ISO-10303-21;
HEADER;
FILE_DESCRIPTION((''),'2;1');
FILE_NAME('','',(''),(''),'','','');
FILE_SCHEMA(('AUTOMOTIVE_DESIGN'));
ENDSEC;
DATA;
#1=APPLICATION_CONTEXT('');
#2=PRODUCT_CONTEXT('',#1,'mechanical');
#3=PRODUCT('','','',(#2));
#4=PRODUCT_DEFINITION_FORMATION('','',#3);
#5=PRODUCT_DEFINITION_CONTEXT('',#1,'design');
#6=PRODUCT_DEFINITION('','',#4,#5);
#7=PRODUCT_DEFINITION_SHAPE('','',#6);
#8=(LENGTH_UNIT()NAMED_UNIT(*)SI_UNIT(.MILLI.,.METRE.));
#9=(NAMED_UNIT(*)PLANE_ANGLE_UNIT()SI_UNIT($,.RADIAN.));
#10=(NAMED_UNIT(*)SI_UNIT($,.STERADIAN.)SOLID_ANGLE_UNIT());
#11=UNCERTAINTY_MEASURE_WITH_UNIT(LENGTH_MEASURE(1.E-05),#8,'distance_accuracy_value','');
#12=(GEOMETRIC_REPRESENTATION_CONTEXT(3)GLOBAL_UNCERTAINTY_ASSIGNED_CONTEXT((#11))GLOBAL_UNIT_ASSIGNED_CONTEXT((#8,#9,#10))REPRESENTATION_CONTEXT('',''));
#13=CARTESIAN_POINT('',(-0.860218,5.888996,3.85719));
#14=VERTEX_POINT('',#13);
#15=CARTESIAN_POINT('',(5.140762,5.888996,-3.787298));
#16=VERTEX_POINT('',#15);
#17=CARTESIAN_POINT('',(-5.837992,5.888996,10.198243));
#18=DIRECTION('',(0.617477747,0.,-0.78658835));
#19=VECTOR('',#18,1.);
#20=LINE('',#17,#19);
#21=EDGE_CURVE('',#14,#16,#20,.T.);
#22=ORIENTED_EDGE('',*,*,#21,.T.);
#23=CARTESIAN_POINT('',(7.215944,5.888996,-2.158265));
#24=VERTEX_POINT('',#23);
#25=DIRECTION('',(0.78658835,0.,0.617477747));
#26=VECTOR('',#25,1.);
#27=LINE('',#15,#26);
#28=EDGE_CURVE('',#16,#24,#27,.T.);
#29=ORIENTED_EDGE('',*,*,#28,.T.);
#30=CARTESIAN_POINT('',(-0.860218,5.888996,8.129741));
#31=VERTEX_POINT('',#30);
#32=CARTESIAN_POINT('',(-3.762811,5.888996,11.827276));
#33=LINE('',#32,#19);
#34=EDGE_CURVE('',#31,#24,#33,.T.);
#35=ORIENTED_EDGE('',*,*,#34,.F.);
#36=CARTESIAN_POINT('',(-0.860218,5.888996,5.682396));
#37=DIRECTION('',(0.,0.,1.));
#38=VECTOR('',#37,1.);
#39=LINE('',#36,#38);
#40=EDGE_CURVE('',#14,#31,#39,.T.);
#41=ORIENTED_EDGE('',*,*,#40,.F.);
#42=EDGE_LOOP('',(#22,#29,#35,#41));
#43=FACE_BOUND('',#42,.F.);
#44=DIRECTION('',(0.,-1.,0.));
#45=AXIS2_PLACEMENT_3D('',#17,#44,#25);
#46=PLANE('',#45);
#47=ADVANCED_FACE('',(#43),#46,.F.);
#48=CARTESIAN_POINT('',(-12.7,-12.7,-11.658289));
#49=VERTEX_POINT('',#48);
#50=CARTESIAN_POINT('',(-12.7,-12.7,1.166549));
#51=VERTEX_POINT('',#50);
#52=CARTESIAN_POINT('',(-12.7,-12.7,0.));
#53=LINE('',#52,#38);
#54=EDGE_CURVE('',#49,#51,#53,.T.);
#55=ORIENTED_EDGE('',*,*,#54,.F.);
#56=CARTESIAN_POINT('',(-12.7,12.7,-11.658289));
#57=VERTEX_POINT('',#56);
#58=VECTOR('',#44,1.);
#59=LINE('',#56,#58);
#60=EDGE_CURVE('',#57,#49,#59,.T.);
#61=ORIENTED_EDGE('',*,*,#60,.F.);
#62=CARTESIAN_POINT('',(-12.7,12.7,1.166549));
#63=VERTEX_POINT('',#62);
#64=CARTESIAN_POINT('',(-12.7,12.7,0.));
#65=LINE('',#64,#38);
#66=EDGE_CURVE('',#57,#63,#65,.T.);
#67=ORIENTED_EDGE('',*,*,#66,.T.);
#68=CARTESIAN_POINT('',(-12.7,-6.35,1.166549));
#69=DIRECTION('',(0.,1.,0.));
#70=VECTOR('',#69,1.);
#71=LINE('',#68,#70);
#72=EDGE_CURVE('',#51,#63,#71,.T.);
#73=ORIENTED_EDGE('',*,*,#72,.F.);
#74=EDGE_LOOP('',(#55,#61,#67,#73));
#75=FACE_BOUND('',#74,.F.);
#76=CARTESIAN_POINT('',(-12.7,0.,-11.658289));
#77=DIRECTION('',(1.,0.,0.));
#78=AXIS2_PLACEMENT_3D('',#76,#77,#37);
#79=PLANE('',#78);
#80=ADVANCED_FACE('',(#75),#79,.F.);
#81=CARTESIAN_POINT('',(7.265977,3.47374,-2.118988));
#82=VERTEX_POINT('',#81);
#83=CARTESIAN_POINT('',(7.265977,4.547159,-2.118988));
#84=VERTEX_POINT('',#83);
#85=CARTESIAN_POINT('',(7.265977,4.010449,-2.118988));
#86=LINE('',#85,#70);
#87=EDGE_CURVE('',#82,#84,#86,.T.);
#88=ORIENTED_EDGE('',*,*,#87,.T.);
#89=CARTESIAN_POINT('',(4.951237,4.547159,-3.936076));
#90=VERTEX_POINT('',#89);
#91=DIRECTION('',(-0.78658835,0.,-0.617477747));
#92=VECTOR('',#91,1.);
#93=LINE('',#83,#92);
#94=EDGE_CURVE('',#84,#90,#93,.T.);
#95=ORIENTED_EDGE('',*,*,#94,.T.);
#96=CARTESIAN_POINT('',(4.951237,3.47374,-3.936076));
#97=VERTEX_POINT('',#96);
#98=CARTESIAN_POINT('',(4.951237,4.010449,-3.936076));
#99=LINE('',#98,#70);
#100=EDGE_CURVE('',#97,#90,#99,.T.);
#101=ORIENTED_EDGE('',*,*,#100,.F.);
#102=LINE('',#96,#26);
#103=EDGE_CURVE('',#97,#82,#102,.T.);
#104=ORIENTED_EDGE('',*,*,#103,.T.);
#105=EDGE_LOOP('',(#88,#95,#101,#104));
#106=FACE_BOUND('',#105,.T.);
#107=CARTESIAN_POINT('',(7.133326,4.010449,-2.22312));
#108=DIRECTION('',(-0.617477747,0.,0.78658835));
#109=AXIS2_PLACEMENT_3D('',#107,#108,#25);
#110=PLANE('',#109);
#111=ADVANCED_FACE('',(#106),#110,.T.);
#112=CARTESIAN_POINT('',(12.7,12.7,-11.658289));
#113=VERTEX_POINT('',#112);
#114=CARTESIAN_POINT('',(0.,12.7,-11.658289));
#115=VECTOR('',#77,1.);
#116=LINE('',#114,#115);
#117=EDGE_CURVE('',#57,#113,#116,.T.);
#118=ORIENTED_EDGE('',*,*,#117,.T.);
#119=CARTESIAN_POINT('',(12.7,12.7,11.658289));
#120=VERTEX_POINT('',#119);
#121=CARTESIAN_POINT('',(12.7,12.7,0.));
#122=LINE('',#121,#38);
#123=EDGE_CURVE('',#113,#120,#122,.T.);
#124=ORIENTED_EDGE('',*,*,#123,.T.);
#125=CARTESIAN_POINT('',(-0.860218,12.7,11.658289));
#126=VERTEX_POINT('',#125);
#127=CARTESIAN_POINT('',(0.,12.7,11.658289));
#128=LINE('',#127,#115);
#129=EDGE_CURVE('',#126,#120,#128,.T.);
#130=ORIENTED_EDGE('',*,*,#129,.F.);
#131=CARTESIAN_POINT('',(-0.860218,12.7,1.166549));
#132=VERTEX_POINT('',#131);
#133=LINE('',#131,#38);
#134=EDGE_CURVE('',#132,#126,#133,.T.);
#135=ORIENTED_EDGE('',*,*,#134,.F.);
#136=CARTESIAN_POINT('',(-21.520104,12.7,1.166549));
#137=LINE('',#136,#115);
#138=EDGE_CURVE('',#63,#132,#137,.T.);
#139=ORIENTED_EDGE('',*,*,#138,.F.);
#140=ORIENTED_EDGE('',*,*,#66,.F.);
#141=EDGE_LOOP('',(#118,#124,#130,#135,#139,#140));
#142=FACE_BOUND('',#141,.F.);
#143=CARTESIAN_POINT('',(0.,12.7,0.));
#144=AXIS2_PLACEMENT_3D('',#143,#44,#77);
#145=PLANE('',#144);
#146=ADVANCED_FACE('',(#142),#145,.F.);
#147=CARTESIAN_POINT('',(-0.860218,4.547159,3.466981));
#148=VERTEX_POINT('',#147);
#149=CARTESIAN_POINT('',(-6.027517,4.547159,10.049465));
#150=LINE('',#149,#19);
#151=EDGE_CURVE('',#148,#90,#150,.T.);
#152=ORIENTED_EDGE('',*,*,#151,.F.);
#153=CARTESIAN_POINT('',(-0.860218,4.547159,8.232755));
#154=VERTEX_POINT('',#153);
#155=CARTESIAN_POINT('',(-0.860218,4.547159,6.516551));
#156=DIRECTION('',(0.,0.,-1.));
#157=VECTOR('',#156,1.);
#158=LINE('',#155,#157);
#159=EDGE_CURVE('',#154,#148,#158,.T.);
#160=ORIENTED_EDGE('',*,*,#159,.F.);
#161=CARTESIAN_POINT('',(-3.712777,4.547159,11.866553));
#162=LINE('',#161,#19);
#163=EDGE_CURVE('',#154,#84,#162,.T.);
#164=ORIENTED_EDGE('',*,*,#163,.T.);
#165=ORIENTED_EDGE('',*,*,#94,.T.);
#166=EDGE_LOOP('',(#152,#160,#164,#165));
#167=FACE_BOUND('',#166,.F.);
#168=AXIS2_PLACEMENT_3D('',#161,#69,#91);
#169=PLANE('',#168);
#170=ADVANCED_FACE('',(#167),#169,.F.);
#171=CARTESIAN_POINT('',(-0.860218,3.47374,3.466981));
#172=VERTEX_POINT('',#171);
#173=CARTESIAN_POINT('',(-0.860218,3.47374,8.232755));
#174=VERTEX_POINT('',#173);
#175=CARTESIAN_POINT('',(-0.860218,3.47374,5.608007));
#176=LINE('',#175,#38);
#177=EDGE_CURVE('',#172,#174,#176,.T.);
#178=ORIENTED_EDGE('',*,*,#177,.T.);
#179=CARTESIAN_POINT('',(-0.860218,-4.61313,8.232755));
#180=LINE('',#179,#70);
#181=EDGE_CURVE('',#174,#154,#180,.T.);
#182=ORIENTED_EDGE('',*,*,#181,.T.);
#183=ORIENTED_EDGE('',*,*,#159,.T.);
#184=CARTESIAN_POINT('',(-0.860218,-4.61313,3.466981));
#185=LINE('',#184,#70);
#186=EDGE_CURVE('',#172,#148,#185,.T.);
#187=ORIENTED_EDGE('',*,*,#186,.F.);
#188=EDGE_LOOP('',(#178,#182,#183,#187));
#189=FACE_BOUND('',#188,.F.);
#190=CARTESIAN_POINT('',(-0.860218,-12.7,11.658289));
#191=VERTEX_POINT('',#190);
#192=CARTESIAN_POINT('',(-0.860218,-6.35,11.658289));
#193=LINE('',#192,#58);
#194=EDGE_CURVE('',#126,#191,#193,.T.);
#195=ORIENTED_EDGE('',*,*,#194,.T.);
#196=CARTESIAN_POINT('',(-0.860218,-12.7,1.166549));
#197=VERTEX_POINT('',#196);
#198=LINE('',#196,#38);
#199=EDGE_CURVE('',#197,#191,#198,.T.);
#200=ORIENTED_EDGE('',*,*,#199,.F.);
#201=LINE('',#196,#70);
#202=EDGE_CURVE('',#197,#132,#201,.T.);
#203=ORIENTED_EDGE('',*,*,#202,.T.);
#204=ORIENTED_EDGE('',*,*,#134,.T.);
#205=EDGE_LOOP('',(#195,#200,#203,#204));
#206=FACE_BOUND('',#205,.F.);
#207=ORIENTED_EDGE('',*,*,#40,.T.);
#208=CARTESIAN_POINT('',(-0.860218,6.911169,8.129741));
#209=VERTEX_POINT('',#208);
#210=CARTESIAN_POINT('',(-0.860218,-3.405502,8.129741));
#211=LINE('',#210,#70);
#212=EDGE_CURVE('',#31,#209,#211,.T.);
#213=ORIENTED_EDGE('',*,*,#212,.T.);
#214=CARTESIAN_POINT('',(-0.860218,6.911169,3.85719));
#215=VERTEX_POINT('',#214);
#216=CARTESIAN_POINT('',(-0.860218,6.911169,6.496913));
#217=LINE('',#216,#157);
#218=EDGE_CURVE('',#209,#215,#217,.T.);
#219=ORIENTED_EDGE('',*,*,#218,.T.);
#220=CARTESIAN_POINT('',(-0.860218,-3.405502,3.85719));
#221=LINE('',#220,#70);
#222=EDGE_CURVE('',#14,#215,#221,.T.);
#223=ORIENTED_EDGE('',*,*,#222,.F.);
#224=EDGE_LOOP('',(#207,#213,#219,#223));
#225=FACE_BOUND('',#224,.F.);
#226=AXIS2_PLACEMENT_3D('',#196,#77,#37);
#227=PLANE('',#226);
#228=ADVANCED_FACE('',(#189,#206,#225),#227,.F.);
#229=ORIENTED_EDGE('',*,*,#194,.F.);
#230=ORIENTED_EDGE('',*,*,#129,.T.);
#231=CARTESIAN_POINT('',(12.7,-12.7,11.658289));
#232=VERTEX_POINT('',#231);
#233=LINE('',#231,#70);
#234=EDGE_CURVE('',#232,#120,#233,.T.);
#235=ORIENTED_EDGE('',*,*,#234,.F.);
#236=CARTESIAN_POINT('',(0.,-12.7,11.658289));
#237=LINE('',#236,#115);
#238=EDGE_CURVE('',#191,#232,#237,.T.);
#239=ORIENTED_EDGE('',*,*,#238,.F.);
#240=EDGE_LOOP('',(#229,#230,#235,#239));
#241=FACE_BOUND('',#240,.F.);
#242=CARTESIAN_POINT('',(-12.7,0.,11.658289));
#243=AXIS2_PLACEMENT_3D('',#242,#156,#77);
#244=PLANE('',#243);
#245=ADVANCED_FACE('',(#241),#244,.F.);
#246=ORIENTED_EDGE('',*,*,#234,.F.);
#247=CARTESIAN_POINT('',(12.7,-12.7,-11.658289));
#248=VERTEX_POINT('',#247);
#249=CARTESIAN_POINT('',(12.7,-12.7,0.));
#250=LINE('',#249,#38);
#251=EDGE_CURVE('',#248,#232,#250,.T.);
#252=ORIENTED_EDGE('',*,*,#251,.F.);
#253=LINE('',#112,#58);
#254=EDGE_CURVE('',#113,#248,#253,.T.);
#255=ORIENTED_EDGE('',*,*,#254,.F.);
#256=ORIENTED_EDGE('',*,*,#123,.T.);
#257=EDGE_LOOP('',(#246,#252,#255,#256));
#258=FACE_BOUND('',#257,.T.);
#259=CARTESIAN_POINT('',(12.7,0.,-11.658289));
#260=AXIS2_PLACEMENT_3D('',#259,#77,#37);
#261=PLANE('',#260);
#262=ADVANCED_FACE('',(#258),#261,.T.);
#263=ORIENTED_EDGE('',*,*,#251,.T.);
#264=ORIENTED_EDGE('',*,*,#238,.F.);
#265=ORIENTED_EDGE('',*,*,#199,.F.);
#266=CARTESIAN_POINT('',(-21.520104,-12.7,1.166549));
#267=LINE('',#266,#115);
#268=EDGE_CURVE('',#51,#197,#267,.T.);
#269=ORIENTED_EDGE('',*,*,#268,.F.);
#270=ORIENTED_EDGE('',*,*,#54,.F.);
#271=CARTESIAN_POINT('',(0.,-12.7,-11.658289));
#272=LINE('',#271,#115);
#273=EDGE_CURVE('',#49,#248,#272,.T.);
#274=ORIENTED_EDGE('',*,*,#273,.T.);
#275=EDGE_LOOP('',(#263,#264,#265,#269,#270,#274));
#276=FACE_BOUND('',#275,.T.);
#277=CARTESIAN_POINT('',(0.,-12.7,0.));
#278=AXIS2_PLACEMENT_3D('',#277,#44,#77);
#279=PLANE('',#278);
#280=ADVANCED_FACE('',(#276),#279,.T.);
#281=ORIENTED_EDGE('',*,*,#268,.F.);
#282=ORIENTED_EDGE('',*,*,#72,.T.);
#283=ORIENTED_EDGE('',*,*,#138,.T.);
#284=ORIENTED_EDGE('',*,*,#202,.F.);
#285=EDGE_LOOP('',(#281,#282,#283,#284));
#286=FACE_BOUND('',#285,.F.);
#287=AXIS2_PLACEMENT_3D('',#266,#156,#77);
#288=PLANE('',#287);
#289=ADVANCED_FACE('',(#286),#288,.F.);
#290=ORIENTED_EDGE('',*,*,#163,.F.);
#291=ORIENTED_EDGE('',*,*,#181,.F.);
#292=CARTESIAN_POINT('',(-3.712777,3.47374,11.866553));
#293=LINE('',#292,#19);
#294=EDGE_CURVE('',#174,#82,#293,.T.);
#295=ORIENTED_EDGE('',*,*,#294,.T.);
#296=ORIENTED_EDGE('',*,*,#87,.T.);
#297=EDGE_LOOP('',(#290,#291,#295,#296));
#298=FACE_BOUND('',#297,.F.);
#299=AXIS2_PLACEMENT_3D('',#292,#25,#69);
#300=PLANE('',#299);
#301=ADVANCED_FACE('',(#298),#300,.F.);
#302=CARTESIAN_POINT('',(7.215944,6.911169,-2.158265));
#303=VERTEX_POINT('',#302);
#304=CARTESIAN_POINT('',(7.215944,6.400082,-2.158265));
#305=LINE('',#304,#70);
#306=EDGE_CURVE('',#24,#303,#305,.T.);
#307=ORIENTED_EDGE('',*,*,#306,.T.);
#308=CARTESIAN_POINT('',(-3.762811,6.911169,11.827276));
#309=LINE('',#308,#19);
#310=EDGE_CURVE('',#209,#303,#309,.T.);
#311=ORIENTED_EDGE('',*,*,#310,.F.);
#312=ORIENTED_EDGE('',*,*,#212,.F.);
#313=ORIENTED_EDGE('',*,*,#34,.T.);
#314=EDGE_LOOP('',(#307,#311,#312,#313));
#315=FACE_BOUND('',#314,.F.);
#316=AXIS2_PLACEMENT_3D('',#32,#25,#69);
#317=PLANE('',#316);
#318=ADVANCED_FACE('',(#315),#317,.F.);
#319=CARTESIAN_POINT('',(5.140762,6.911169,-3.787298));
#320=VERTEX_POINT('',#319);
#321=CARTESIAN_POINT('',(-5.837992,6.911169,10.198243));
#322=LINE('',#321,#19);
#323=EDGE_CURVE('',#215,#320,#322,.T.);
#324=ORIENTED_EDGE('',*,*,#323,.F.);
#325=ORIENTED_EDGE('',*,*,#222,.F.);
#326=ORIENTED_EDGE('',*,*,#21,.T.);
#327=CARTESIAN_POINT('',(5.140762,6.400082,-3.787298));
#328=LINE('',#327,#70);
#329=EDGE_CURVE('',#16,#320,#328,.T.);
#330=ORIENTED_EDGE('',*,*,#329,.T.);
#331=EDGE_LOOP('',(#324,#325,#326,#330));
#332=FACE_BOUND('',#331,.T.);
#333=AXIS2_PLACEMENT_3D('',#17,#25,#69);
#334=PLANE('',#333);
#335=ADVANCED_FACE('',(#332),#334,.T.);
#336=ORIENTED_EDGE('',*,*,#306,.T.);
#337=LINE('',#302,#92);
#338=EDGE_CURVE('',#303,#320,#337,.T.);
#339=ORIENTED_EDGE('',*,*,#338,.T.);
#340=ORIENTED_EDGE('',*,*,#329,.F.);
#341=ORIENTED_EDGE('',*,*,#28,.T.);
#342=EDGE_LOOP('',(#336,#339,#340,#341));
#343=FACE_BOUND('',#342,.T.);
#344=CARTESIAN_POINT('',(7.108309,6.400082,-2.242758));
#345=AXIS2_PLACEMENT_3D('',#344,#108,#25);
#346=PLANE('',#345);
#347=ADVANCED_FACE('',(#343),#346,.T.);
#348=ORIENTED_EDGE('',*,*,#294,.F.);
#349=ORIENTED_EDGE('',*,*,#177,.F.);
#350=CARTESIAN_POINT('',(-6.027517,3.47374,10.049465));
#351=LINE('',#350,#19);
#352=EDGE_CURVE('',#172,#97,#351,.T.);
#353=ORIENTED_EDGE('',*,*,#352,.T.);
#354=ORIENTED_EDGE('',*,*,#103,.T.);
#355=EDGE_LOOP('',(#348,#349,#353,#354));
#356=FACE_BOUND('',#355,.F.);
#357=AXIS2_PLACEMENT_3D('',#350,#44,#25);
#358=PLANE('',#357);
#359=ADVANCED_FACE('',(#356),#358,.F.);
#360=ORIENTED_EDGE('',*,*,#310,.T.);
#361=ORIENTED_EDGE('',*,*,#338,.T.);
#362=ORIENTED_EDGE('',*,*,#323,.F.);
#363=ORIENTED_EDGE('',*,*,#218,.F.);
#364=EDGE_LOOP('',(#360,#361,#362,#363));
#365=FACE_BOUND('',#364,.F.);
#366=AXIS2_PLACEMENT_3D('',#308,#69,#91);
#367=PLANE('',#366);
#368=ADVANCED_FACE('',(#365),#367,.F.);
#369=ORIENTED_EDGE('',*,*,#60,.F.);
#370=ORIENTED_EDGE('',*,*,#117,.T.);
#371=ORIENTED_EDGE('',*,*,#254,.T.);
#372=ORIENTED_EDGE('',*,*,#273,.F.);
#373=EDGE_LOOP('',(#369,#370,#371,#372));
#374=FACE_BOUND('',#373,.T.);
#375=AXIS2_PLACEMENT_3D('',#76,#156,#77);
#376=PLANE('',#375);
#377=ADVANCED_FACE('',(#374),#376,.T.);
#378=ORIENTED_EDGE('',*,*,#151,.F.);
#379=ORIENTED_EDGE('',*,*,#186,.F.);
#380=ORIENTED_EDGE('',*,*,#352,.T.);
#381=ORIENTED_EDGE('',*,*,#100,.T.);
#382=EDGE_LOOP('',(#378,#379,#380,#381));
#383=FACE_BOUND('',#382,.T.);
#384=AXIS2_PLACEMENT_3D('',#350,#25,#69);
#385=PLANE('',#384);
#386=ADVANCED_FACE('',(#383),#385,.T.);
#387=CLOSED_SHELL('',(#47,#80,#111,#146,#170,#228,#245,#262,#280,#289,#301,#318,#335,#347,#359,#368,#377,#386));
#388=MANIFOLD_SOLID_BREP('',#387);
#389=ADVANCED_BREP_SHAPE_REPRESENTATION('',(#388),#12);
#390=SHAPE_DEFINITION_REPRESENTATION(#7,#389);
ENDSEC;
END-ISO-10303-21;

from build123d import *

# Parameters (mm, degrees)
F0_W     = 25.4
F0_H     = 23.3165774701
F1_DEPTH = 12.7
F3_DEPTH = 25.4
F4_W     = 0.2736736362
F4_H     = 1.0221730918
F4_W_2   = 2.3645318859
F4_W_3   = 0.3372822987
F4_H_2   = 1.0734191164
F4_W_4   = 2.6054769249
F5_DEPTH = 17.78
F7_DEPTH = 25.4


with BuildPart() as f1:
    # F0 (on Front) → F1 (new body, symmetric)
    with BuildSketch(Plane.XZ):
        Rectangle(F0_W, F0_H)
    extrude(amount=F1_DEPTH, both=True)

    # F2 (on face) → F3 (cut)
    with BuildSketch(Plane.XZ.offset(12.7)):
        Polygon((-12.7, 4.811515566), (-3.9780791849, 11.6582887351), (-12.7, 11.6582887351), align=None)
    extrude(amount=-F3_DEPTH, mode=Mode.SUBTRACT)

    # F4 (on face) → F5 (cut)
    with BuildSketch(Plane(origin=(-7.1791973158, 0, 9.1453870251), x_dir=(0.7865883501, 0, 0.6174777466), z_dir=(-0.6174777466, 0, 0.7865883501))):
        with Locations((4.2064599323, 6.4000822604)):
            Rectangle(F4_W, F4_H)
        with Locations((2.8873571713, 6.4000822604)):
            Rectangle(F4_W_2, F4_H)
        with Locations((4.2382642636, 4.0104491636)):
            Rectangle(F4_W_3, F4_H_2)
        with Locations((2.7668846518, 4.0104491636)):
            Rectangle(F4_W_4, F4_H_2)
    extrude(amount=-F5_DEPTH, mode=Mode.SUBTRACT)

    # F6 (on face) → F7 (cut)
    with BuildSketch(Plane.XZ.offset(12.7)):
        Polygon((-21.5201042593, 1.1665492784), (-12.7, 1.1665492784), (-12.7, 4.811515566), (-3.9780791849, 11.6582887351), (-0.8602180751, 11.6582887351), (-0.8602180751, 16.2579510361), (-21.5201042593, 16.2579510361), align=None)
        Polygon((-12.7, 1.1665492784), (-0.8602180751, 1.1665492784), (-0.8602180751, 11.6582887351), (-3.9780791849, 11.6582887351), (-12.7, 4.811515566), align=None)
    extrude(amount=-F7_DEPTH, mode=Mode.SUBTRACT)


solid = f1.part
